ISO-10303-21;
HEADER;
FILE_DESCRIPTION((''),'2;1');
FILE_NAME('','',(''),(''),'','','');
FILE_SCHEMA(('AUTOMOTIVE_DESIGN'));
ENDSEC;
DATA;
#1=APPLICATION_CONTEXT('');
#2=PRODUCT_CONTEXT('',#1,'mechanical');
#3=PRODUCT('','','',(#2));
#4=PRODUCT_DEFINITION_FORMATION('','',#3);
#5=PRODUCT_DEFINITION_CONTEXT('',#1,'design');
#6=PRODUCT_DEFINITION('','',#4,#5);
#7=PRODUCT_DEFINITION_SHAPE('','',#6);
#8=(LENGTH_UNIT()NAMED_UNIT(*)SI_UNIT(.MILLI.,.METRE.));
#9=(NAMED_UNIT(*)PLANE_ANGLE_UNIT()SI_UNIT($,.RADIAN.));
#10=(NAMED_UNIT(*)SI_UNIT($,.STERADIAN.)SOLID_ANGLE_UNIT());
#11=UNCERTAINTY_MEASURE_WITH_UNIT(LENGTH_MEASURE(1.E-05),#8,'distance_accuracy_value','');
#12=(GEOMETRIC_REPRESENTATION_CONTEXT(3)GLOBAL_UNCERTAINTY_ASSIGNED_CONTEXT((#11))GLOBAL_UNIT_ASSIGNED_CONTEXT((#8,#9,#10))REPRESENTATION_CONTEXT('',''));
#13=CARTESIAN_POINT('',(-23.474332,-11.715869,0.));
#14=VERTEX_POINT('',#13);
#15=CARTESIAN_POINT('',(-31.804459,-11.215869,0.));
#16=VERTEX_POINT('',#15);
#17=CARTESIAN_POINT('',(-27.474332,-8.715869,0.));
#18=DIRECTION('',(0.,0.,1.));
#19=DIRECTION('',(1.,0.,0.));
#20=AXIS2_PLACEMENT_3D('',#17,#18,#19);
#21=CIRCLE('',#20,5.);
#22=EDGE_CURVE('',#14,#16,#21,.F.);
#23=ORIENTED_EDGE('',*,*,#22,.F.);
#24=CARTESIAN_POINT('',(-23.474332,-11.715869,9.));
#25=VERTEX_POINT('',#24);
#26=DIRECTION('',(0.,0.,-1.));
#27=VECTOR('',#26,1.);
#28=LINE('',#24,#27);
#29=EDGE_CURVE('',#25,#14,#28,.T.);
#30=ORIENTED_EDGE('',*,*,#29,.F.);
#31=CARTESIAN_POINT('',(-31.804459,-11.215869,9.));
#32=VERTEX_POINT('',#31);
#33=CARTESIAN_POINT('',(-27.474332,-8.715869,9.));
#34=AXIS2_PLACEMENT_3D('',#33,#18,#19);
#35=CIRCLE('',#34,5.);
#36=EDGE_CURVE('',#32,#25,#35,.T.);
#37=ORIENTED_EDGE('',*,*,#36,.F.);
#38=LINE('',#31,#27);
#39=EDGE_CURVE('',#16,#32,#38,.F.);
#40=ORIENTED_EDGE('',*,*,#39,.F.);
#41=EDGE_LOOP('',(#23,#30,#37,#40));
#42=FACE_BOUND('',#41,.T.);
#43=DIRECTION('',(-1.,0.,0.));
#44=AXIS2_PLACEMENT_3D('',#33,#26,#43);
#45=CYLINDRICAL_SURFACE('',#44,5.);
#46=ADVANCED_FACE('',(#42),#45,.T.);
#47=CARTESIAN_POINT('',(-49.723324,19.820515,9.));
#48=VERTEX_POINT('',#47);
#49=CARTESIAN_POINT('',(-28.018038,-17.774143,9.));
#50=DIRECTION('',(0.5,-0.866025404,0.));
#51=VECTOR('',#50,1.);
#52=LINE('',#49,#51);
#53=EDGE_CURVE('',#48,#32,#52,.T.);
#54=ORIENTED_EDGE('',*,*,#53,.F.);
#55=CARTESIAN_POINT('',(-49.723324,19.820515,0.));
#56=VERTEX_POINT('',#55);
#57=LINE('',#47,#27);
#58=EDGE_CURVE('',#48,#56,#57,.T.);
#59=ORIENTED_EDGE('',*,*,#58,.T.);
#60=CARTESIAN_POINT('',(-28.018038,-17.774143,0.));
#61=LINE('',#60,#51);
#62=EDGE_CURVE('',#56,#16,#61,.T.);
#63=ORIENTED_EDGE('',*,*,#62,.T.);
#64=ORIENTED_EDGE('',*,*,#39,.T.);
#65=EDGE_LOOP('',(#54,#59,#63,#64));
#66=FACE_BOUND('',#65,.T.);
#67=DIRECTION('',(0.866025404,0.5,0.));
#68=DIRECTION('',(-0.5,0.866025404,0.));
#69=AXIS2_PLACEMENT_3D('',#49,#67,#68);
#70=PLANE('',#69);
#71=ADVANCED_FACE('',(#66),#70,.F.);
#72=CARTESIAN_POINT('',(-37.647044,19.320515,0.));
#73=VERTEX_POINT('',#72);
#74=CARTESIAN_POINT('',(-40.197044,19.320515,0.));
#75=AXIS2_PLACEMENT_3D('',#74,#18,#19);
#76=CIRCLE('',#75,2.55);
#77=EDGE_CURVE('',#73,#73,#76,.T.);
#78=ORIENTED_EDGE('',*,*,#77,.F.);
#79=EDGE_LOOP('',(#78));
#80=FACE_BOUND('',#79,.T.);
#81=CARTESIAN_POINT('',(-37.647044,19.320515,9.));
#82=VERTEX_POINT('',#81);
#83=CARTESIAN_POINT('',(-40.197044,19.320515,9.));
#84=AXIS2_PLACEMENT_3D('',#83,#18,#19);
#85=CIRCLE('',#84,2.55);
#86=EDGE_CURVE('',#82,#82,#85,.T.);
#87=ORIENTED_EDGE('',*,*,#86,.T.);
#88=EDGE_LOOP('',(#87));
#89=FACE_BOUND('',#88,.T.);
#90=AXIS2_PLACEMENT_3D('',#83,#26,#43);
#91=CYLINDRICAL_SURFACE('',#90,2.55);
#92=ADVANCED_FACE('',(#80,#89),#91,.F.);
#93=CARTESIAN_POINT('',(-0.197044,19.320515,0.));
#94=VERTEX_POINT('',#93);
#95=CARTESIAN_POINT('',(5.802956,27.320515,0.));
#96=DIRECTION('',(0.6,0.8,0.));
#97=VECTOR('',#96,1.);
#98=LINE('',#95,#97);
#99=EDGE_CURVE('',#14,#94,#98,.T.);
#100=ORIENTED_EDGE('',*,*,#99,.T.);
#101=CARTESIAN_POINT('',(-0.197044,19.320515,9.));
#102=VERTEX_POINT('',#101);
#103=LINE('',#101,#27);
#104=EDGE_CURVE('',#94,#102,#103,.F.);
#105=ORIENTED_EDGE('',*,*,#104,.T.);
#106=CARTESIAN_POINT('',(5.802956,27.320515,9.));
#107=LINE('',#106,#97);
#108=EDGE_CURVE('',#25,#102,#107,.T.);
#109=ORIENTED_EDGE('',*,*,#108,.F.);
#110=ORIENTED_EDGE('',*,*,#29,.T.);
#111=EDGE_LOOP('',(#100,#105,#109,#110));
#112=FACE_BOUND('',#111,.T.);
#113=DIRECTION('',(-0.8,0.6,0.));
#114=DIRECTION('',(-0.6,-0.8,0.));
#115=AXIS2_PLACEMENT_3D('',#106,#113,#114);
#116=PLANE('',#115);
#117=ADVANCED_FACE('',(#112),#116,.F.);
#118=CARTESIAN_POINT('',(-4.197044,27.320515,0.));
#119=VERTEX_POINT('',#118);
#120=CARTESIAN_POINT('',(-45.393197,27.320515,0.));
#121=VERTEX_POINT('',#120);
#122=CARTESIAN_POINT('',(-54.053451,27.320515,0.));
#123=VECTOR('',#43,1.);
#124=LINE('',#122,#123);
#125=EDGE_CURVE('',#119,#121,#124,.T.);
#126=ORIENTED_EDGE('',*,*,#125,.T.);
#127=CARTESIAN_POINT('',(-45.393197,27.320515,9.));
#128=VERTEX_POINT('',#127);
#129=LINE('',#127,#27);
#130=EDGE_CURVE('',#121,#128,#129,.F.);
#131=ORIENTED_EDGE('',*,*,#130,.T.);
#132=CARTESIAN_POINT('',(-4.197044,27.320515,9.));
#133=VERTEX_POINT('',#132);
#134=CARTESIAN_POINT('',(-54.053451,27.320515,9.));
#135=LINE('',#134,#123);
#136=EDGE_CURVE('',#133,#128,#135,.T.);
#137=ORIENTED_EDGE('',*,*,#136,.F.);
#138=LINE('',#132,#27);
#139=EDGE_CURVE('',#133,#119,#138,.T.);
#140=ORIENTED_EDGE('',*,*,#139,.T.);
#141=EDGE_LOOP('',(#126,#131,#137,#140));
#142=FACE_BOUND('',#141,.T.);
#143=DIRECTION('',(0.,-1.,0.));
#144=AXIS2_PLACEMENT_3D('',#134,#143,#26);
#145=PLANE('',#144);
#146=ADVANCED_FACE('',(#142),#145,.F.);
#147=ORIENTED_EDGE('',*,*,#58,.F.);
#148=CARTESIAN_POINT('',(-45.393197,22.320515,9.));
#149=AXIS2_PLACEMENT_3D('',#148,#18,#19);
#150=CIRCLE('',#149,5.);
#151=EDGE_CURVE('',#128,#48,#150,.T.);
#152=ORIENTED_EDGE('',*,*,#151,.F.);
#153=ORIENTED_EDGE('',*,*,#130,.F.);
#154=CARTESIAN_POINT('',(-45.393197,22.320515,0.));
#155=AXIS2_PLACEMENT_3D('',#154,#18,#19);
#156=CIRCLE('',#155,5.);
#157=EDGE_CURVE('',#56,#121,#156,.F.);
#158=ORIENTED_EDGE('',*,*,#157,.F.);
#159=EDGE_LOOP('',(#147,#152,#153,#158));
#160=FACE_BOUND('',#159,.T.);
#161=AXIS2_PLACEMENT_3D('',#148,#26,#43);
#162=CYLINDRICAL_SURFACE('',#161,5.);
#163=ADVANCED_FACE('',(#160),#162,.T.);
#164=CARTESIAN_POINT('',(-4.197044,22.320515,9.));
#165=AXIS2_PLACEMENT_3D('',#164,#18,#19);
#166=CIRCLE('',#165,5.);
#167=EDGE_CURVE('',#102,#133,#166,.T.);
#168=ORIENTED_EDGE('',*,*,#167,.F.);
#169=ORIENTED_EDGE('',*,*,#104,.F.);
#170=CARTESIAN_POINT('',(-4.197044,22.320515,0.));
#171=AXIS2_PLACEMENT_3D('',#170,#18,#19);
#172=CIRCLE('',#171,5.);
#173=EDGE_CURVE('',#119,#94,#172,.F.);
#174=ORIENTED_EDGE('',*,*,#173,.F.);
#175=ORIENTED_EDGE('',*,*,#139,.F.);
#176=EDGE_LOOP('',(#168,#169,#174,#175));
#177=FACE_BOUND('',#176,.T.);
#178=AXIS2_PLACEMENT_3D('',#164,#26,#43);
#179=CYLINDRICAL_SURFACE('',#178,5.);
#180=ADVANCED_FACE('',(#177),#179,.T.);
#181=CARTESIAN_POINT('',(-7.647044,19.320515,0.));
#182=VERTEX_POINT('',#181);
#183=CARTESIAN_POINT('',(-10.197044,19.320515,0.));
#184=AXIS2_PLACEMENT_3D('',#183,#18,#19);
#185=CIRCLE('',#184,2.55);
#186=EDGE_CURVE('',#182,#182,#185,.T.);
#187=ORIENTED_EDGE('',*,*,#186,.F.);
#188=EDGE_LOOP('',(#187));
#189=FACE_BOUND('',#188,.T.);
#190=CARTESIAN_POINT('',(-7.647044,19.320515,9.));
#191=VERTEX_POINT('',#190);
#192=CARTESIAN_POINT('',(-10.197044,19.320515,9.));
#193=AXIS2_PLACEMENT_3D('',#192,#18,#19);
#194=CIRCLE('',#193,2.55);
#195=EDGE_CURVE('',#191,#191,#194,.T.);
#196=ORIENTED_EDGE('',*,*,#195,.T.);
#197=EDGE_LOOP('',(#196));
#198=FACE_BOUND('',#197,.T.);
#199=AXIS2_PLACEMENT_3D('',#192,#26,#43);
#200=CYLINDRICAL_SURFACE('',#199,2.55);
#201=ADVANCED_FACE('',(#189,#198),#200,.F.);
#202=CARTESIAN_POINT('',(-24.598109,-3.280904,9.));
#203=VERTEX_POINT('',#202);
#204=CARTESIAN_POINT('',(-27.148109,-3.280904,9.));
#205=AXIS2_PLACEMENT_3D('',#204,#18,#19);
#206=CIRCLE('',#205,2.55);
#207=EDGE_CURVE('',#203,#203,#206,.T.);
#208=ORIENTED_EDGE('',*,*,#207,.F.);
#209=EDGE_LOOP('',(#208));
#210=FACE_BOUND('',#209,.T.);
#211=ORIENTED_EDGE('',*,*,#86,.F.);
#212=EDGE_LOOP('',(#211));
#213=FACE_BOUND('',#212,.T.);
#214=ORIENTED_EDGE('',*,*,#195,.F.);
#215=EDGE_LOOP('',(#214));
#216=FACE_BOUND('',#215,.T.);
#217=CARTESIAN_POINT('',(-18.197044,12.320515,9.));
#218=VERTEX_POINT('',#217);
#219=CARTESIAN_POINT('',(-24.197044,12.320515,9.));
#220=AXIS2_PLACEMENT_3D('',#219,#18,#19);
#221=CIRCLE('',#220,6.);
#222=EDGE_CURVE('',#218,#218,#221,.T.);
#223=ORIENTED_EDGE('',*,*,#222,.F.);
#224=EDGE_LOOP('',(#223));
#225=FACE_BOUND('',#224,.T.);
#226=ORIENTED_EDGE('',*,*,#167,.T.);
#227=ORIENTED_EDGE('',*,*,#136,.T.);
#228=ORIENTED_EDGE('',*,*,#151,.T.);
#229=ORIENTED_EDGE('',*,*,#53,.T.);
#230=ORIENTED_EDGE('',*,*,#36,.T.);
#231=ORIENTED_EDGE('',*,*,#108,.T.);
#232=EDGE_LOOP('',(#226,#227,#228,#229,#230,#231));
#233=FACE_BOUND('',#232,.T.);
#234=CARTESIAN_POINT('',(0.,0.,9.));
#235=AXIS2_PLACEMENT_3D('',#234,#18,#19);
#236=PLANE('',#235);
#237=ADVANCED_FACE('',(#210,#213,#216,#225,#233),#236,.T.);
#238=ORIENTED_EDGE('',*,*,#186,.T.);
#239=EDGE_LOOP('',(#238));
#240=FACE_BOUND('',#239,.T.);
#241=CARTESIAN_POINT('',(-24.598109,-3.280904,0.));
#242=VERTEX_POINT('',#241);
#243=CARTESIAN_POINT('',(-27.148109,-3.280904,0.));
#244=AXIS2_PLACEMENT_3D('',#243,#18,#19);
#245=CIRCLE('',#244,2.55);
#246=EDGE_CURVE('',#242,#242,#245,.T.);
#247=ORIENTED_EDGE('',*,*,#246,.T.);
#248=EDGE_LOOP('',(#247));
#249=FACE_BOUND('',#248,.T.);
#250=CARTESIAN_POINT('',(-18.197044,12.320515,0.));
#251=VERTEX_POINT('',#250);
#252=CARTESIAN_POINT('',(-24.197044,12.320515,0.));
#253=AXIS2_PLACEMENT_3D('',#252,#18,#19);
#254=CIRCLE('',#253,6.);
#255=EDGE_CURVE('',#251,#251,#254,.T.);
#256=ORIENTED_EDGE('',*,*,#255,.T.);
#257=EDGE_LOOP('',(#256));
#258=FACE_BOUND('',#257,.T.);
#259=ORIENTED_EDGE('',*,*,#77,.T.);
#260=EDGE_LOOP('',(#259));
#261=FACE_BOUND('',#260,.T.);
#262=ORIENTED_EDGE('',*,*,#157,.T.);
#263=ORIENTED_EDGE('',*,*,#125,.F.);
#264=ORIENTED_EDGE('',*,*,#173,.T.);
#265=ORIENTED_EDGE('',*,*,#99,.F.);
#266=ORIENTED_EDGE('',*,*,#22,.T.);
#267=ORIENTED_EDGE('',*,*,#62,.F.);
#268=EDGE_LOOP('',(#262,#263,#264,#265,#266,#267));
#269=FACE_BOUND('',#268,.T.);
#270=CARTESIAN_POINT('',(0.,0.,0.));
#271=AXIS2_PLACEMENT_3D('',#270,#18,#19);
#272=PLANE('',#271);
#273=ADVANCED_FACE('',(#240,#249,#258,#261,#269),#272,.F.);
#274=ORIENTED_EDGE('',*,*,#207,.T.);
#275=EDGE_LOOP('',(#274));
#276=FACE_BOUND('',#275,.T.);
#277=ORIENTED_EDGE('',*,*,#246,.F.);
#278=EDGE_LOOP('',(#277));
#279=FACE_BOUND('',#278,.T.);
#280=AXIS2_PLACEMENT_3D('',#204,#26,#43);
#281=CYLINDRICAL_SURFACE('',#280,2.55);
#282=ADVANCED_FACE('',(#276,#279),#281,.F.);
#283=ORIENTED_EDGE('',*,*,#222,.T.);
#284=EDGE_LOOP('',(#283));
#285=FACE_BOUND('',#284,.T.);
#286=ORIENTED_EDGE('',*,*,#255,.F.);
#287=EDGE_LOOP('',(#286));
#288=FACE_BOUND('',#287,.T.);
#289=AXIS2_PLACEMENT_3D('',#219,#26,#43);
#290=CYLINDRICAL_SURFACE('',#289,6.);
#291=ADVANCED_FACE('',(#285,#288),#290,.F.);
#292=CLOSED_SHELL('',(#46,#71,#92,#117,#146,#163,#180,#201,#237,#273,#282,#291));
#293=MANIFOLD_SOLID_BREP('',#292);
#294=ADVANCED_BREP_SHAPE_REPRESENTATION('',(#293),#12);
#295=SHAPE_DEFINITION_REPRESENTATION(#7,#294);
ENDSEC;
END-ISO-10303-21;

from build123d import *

# Parameters (mm, degrees)
SKETCH_1_R      = 2.55
SKETCH_1_R_2    = 6
EXTRUDE_1_DEPTH = 9
FILLET_1_R      = 5


with BuildPart() as part:
    # 草图1 → 凸台-拉伸1 (new body)
    with BuildSketch(Plane.XY):
        Polygon((-54.053450796, 27.320514858), (5.802955665, 27.320514858), (-28.018037849, -17.774143161), align=None)
        with Locations((-40.197044335, 19.320514858)):
            Circle(SKETCH_1_R, mode=Mode.SUBTRACT)
        with Locations((-27.148108815, -3.280904448)):
            Circle(SKETCH_1_R, mode=Mode.SUBTRACT)
        with Locations((-10.197044335, 19.320514858)):
            Circle(SKETCH_1_R, mode=Mode.SUBTRACT)
        with Locations((-24.197044335, 12.320514858)):
            Circle(SKETCH_1_R_2, mode=Mode.SUBTRACT)
    extrude(amount=EXTRUDE_1_DEPTH)

    # 圆角1
    fillet_1_edges = [part.edges().sort_by_distance(p)[0] for p in [
        (-54.053450796, 27.320514858, 4.5),
        (5.802955665, 27.320514858, 4.5),
        (-28.018037849, -17.774143161, 4.5),
    ]]
    fillet(fillet_1_edges, radius=FILLET_1_R)


solid = part.part
